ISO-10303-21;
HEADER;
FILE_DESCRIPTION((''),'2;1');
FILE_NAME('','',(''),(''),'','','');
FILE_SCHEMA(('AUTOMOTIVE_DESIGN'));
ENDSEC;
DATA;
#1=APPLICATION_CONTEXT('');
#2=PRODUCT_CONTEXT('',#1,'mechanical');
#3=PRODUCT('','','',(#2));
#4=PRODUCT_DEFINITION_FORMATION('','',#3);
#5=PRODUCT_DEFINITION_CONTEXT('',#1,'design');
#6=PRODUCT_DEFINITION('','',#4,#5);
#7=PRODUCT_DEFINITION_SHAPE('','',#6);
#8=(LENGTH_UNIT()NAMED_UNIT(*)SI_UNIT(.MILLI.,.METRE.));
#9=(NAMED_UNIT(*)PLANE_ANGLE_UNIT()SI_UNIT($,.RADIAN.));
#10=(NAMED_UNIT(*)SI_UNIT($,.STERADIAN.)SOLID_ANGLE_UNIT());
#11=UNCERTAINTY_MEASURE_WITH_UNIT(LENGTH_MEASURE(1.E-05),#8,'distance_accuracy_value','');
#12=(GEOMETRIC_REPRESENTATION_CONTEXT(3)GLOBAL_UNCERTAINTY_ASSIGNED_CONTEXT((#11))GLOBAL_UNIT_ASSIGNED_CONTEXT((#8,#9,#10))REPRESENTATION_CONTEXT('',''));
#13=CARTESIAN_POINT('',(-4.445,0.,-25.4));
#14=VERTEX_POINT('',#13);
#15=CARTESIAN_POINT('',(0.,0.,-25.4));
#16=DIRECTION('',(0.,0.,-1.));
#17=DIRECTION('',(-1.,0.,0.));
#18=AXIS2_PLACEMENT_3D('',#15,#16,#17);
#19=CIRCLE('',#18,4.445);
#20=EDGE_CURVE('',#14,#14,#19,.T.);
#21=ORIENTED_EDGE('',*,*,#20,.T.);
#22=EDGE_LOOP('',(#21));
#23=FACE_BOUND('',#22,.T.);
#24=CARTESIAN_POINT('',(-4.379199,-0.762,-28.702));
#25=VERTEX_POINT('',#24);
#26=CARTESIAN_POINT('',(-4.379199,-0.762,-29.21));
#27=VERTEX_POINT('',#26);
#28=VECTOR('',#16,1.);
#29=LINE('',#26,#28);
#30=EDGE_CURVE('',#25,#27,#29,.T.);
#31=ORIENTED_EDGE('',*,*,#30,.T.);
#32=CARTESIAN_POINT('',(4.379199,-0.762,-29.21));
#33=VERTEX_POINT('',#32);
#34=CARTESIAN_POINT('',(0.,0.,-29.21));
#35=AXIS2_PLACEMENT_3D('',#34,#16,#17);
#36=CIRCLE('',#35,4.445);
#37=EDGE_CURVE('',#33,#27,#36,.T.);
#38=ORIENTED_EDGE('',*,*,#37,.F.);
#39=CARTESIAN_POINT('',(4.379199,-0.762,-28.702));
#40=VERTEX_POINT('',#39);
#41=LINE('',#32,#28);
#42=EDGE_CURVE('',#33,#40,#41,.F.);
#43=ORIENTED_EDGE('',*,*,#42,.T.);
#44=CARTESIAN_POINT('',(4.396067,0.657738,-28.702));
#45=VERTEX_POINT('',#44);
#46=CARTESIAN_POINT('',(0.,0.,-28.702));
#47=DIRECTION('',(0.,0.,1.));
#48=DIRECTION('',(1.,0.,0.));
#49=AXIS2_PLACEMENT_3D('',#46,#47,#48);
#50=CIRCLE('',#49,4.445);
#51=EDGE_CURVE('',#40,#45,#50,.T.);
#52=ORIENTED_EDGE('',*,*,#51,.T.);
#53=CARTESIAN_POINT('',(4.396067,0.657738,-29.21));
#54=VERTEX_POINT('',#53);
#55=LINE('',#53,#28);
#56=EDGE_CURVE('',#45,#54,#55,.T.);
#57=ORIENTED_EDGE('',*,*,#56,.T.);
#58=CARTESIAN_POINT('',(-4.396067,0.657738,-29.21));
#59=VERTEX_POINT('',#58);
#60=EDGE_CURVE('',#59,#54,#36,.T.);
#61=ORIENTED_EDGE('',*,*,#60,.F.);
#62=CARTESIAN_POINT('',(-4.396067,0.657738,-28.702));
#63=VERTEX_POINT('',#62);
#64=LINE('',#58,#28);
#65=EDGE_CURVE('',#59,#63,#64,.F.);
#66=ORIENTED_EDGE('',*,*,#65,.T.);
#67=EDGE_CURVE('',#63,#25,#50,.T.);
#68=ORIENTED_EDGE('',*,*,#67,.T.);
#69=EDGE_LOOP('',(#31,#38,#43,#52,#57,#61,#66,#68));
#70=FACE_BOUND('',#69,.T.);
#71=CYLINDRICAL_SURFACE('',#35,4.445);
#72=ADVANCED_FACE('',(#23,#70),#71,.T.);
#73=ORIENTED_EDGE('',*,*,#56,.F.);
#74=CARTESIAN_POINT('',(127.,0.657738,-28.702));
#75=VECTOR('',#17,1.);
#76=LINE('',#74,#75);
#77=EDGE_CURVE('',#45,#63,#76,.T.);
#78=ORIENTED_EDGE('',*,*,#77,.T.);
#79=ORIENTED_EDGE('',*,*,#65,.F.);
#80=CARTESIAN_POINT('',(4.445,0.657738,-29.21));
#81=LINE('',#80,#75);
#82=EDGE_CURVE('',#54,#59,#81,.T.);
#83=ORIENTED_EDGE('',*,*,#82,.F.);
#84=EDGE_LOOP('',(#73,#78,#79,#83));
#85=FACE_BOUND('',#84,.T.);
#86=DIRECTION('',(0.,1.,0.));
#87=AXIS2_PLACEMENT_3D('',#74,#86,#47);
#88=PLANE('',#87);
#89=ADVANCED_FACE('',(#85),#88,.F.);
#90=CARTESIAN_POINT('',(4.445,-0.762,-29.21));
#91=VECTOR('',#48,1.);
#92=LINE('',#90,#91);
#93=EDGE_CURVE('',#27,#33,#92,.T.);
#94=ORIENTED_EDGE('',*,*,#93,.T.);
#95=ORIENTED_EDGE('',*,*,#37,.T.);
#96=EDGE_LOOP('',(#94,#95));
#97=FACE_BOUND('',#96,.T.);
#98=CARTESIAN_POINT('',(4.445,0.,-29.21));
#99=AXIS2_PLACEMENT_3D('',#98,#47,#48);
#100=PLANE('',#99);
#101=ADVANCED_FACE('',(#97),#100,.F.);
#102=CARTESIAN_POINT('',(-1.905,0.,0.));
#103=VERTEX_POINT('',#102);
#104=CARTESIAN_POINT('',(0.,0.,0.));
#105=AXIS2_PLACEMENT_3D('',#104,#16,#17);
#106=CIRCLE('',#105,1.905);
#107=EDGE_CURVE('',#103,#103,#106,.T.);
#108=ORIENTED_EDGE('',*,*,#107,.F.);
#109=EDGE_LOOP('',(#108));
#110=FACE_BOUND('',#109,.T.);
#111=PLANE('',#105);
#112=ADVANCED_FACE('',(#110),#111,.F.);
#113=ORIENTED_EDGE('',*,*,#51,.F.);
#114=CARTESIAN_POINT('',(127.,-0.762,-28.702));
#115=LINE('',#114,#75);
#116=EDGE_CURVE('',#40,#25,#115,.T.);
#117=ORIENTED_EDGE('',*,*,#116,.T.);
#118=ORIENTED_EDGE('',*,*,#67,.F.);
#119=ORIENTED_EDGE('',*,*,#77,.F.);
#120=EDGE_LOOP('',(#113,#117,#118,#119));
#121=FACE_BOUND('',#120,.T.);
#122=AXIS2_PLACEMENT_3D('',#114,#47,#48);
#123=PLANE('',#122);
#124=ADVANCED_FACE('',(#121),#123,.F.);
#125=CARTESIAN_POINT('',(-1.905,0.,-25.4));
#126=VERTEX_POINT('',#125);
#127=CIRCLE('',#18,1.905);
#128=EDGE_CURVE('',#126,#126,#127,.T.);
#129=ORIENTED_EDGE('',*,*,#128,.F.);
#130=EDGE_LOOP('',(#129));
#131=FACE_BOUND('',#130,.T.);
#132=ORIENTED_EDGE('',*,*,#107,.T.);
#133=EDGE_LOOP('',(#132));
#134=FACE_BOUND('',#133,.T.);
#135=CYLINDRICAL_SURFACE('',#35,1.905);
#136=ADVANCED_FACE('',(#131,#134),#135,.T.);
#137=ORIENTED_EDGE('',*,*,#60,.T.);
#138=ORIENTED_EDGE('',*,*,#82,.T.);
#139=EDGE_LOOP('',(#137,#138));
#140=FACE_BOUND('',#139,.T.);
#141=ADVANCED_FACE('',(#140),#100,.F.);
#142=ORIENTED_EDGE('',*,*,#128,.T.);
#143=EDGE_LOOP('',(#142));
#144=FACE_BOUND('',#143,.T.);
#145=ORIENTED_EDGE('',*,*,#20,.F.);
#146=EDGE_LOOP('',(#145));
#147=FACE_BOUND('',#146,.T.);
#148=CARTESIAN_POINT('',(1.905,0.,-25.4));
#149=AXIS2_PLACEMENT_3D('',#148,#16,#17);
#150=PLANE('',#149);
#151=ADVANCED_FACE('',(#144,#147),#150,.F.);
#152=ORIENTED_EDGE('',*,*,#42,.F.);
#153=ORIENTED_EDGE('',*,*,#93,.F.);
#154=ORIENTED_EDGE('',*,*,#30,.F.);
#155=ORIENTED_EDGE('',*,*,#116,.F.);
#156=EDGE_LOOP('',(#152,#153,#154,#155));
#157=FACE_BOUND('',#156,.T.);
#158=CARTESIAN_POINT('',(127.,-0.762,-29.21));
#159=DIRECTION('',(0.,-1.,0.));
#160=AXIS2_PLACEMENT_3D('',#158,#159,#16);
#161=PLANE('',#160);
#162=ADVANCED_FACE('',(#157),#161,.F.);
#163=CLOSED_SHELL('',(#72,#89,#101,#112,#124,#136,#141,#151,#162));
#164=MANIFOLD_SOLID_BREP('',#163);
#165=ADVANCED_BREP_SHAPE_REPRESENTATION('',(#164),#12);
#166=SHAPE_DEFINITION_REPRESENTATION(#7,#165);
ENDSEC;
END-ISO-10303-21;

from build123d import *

# Parameters (mm, degrees)
CUT_EXTRUDE1_DEPTH = 127


with BuildPart() as part:
    # Sketch2 → Revolve1 (revolve)
    with BuildSketch(Plane(origin=(0, 0, 0), x_dir=(1, 0, 0), z_dir=(0, 1, 0)), mode=Mode.PRIVATE) as revolve1_sk:
        Polygon((0, 0), (1.905, 0), (1.905, 25.4), (4.445, 25.4), (4.445, 29.21), (0, 29.21), align=None)
    revolve(revolve1_sk.sketch.rotate(Axis((0, 0, -29.21), (0, 0, 1)), 180), axis=Axis((0, 0, -29.21), (0, 0, 1)))

    # Sketch3 → Cut-Extrude1 (cut, symmetric)
    with BuildSketch(Plane(origin=(0, 0, 0), x_dir=(0, 0, -1), z_dir=(1, 0, 0))):
        Polygon((29.21, 0.657737685), (29.21, 0), (29.21, -0.762), (28.702, -0.762), (28.702, 0.657737685), align=None)
    extrude(amount=CUT_EXTRUDE1_DEPTH, both=True, mode=Mode.SUBTRACT)


solid = part.part
